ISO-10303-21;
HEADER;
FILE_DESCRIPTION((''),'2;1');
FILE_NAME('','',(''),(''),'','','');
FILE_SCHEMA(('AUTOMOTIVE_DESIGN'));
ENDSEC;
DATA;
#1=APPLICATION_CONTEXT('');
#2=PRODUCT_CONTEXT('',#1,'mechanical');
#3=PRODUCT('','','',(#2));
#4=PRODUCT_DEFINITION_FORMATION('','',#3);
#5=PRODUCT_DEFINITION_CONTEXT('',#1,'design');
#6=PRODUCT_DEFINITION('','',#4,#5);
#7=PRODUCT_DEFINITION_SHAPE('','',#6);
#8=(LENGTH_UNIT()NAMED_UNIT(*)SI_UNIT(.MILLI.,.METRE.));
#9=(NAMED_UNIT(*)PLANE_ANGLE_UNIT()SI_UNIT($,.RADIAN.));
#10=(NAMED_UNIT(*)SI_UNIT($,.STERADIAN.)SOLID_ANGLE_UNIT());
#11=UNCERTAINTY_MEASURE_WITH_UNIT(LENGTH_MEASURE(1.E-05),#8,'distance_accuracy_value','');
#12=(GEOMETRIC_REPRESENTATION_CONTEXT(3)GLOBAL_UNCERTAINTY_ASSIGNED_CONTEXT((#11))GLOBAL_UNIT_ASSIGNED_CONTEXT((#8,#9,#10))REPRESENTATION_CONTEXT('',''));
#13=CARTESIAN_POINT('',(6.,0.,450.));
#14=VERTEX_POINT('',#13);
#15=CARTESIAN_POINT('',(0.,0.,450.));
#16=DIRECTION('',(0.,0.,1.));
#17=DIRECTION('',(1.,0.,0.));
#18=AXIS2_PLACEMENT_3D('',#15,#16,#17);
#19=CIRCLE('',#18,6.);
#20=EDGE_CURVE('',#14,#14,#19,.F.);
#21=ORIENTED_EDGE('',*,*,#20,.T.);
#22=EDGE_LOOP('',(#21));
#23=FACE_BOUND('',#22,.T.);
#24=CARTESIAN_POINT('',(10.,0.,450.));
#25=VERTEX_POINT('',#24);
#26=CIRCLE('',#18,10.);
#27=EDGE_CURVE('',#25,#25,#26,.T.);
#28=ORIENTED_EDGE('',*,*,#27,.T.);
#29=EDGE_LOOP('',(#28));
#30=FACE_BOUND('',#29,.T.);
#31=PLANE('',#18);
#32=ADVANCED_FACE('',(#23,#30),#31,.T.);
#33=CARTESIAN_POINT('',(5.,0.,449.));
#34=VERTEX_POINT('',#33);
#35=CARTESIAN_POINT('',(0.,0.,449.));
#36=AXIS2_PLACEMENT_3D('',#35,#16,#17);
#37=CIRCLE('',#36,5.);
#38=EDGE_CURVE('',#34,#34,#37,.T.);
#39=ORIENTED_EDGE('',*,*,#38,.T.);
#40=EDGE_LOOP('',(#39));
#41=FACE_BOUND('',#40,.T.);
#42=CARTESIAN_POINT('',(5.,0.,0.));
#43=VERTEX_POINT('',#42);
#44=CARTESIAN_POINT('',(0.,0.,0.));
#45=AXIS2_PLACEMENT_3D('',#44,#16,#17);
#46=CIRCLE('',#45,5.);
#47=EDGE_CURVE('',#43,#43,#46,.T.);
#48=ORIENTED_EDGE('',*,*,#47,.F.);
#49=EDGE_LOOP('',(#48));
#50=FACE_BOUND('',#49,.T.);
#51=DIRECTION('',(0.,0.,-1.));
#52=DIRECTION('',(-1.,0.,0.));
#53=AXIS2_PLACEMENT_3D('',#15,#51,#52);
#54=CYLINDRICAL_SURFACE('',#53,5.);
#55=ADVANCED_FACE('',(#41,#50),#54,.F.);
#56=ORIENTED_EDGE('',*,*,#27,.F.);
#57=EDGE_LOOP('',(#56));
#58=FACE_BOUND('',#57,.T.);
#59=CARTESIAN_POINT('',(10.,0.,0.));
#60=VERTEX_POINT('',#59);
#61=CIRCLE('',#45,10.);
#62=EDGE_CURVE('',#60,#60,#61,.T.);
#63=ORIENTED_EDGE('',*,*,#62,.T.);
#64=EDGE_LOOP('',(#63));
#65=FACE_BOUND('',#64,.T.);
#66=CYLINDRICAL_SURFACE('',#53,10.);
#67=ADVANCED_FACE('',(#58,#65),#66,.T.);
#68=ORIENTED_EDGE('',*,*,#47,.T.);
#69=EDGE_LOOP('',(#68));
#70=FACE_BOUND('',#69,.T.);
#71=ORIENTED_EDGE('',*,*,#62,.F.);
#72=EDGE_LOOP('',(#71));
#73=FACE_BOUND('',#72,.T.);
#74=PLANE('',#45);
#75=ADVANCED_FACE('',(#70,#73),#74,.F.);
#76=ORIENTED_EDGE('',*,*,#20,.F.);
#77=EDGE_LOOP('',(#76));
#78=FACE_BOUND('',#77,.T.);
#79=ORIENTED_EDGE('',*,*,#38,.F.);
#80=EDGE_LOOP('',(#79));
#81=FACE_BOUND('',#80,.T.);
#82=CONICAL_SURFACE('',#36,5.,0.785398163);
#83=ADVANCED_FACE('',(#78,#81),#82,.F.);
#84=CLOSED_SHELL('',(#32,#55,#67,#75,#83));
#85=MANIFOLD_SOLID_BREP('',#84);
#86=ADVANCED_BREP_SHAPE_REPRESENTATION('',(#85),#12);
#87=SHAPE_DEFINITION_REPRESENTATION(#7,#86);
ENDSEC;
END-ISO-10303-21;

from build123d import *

# Parameters (mm, degrees)
SKETCH_2_R      = 10
SKETCH_2_R_2    = 5
EXTRUDE_1_DEPTH = 450
CHAMFER_1_SIZE  = 1


with BuildPart() as part:
    # 스케치2 → 보스-돌출1 (new body)
    with BuildSketch(Plane.XY):
        Circle(SKETCH_2_R)
        Circle(SKETCH_2_R_2, mode=Mode.SUBTRACT)
    extrude(amount=EXTRUDE_1_DEPTH)

    # 모따기1
    chamfer_1_edges = [part.edges().sort_by_distance(p)[0] for p in [
        (-5, 0, 450),
    ]]
    chamfer(chamfer_1_edges, length=CHAMFER_1_SIZE)


solid = part.part
